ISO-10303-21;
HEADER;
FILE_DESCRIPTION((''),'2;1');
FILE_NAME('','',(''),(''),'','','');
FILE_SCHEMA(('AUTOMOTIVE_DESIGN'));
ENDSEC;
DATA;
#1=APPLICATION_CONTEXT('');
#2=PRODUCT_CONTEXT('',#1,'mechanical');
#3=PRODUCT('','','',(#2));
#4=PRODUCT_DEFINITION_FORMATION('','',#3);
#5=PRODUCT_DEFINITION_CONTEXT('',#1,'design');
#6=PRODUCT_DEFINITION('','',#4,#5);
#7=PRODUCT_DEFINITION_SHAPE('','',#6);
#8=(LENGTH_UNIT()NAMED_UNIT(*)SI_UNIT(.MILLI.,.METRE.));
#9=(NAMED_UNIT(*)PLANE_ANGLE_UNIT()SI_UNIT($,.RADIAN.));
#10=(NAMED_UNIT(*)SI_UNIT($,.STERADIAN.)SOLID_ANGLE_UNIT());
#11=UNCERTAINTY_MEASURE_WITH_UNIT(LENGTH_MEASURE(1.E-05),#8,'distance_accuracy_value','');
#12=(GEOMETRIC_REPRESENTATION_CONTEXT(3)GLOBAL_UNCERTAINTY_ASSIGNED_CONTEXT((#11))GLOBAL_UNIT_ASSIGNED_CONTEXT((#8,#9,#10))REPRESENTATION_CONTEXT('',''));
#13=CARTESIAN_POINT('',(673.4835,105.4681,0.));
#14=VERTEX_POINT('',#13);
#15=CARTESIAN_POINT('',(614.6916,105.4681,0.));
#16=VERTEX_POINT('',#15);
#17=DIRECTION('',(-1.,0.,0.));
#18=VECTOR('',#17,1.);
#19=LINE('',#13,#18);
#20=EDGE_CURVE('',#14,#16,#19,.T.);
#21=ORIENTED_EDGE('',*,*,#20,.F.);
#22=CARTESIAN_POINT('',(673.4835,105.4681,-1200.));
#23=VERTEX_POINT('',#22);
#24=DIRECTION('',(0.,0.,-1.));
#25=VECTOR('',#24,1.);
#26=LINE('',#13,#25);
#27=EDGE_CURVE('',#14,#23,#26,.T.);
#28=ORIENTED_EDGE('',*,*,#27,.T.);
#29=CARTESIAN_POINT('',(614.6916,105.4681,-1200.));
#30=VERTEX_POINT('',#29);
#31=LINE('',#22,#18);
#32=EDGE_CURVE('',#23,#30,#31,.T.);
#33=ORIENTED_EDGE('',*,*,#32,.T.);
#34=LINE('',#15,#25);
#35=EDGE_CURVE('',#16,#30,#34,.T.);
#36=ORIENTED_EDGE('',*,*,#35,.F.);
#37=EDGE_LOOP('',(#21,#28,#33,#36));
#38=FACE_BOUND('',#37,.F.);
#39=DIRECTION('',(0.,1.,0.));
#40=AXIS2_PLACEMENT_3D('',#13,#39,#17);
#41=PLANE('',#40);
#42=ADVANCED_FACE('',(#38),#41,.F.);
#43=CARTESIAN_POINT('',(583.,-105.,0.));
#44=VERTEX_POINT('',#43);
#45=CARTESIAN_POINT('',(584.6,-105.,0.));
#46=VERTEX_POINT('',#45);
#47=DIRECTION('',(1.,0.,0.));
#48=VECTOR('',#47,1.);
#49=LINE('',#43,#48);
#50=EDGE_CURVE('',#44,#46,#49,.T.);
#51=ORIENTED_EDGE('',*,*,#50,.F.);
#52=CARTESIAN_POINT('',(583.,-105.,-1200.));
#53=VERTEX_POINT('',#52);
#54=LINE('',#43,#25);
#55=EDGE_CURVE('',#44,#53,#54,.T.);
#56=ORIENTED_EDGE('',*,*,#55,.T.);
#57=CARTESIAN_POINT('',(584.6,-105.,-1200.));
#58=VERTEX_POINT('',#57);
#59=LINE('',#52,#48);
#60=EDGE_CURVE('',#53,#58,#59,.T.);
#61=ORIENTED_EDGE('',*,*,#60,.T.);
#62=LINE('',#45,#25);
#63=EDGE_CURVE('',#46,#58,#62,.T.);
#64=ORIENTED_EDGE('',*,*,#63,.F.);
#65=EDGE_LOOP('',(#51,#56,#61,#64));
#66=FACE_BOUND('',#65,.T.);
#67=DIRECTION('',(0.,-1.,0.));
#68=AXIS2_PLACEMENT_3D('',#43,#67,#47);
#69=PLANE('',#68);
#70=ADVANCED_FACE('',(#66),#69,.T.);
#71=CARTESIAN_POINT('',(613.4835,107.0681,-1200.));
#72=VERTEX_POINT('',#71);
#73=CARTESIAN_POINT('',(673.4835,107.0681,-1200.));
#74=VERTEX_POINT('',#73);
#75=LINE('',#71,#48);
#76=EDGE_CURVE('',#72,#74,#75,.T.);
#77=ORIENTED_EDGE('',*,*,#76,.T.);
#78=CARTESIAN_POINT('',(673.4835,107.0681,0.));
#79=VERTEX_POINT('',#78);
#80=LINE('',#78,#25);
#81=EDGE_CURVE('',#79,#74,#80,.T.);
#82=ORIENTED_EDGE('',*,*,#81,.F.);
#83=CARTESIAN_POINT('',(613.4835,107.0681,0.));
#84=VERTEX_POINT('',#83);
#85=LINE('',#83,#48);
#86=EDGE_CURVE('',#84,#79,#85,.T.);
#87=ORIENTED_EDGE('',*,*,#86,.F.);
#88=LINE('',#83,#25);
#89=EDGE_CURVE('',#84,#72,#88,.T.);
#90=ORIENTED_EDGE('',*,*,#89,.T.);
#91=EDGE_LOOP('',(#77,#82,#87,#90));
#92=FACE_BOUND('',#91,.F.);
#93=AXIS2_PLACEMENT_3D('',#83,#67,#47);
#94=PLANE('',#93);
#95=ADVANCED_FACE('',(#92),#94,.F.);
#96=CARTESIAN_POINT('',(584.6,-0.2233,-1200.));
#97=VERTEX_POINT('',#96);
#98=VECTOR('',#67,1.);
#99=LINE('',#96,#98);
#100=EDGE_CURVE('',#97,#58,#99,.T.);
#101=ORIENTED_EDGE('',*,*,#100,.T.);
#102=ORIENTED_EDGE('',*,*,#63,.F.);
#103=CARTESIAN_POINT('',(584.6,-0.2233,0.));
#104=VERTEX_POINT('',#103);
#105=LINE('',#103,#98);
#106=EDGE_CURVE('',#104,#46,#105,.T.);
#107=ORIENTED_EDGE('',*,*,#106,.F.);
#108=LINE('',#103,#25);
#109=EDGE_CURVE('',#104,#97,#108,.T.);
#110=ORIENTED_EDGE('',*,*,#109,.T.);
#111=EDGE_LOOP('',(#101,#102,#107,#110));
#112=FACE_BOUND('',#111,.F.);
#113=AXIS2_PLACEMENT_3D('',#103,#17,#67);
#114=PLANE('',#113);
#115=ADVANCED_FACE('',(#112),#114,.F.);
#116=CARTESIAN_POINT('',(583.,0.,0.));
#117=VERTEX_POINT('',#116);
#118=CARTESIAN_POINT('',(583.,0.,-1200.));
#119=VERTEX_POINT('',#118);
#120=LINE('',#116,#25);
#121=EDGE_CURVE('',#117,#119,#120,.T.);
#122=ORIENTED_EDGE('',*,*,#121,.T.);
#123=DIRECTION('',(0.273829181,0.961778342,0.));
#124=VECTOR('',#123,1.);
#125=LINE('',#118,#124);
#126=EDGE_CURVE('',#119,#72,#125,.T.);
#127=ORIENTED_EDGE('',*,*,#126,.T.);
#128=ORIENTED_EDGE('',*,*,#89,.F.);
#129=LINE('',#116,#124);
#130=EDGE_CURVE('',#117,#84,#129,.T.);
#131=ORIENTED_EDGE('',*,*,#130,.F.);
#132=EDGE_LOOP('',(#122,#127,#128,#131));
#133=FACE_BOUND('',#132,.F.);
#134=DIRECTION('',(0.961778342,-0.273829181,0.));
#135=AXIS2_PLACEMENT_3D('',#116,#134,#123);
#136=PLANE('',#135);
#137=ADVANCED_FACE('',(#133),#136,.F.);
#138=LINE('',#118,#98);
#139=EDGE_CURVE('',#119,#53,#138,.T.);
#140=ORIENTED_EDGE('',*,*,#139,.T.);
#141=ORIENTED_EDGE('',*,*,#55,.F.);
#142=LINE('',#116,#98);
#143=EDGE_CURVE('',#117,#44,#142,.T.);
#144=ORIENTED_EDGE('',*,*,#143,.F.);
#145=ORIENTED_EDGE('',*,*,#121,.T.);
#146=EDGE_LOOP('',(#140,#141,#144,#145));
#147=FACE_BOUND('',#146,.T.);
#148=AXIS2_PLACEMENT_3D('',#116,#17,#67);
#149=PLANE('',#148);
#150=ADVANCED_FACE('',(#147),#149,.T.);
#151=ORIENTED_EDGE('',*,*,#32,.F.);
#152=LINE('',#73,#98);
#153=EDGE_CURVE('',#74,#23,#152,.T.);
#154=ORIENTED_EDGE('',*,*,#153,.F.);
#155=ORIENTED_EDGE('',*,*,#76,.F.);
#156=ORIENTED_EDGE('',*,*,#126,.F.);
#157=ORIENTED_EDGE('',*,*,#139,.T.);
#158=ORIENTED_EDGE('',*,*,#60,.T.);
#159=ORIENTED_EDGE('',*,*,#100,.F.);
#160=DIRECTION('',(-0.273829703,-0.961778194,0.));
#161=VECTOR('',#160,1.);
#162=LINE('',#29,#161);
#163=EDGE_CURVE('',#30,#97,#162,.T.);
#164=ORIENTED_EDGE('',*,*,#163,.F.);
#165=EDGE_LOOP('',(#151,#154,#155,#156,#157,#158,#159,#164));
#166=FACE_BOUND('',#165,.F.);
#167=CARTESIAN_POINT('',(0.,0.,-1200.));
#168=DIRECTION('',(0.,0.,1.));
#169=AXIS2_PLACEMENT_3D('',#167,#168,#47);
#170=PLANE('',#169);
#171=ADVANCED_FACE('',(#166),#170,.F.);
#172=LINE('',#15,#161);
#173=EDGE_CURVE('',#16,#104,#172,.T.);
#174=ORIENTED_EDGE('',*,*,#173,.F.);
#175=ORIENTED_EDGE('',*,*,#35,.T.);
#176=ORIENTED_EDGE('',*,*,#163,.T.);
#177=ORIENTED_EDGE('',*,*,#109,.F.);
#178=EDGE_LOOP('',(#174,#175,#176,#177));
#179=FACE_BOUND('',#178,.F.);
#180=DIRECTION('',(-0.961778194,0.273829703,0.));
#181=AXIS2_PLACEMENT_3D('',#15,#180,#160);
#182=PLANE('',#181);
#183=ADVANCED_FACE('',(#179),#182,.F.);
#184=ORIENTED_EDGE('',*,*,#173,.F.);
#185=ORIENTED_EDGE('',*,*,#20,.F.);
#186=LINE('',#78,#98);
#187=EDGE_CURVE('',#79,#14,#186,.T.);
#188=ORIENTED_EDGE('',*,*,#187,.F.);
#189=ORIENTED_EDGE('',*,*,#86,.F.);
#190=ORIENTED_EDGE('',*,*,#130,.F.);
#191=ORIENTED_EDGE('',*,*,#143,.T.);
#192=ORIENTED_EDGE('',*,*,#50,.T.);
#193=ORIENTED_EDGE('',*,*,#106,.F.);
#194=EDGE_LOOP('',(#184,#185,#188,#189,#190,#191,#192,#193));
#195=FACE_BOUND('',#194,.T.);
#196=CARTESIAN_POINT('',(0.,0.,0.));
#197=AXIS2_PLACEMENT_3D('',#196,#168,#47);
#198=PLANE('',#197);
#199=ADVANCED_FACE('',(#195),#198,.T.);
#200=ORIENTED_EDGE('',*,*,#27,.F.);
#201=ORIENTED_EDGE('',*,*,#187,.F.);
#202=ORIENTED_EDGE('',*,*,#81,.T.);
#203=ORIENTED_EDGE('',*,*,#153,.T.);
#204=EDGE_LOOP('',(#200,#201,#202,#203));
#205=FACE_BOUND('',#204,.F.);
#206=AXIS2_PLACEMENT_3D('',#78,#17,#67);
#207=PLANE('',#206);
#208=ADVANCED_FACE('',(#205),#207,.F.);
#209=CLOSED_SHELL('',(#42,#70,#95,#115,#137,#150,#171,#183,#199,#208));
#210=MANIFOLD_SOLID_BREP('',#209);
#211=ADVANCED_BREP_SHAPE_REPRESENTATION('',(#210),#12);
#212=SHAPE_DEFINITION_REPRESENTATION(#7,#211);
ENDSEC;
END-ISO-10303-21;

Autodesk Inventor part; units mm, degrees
ref_plane "YZ Plane" through (0, 0, 0) normal (1, 0, 0) x (0, 1, 0)
ref_plane "XZ Plane" through (0, 0, 0) normal (0, 1, 0) x (-1, 0, 0)
ref_plane "XY Plane" through (0, 0, 0) normal (0, 0, 1) x (1, 0, 0)
sketch "Sketch1" plane through (0, 0, 0) normal (0, 0, 1) x (1, 0, 0)
  line L0 (583, 0) -> (583, -566) projected
  line L1 (613.4835, 107.0681) -> (1060.6433, 107.0681) projected
  point P0 (0, 0)
sketch "Sketch2" plane through (0, 0, 0) normal (0, 0, 1) x (1, 0, 0)
  line L0 (583, 0) -> (613.4835, 107.0681)
  line L1 (613.4835, 107.0681) -> (673.4835, 107.0681)
  line L2 (583, 0) -> (583, -105)
  line L3 (673.4835, 105.4681) -> (614.6916, 105.4681)
  line L4 (614.6916, 105.4681) -> (584.6, -0.2233)
  line L5 (584.6, -0.2233) -> (584.6, -105)
  line L6 (583, -105) -> (584.6, -105)
  line L7 (673.4835, 107.0681) -> (673.4835, 105.4681)
  point P0 (0, 0)
  dimension "d0" = 105
  dimension "d1" = 60
  dimension "d2" = 1.6
extrude "Extrusion1" add sketch "Sketch2" against normal blind 1200
sketch "Sketch3" plane through (583, -105, -1200) normal (0, -1, 0) x (1, 0, 0)
  point P0 (-583, 1200)
properties part number "front"
